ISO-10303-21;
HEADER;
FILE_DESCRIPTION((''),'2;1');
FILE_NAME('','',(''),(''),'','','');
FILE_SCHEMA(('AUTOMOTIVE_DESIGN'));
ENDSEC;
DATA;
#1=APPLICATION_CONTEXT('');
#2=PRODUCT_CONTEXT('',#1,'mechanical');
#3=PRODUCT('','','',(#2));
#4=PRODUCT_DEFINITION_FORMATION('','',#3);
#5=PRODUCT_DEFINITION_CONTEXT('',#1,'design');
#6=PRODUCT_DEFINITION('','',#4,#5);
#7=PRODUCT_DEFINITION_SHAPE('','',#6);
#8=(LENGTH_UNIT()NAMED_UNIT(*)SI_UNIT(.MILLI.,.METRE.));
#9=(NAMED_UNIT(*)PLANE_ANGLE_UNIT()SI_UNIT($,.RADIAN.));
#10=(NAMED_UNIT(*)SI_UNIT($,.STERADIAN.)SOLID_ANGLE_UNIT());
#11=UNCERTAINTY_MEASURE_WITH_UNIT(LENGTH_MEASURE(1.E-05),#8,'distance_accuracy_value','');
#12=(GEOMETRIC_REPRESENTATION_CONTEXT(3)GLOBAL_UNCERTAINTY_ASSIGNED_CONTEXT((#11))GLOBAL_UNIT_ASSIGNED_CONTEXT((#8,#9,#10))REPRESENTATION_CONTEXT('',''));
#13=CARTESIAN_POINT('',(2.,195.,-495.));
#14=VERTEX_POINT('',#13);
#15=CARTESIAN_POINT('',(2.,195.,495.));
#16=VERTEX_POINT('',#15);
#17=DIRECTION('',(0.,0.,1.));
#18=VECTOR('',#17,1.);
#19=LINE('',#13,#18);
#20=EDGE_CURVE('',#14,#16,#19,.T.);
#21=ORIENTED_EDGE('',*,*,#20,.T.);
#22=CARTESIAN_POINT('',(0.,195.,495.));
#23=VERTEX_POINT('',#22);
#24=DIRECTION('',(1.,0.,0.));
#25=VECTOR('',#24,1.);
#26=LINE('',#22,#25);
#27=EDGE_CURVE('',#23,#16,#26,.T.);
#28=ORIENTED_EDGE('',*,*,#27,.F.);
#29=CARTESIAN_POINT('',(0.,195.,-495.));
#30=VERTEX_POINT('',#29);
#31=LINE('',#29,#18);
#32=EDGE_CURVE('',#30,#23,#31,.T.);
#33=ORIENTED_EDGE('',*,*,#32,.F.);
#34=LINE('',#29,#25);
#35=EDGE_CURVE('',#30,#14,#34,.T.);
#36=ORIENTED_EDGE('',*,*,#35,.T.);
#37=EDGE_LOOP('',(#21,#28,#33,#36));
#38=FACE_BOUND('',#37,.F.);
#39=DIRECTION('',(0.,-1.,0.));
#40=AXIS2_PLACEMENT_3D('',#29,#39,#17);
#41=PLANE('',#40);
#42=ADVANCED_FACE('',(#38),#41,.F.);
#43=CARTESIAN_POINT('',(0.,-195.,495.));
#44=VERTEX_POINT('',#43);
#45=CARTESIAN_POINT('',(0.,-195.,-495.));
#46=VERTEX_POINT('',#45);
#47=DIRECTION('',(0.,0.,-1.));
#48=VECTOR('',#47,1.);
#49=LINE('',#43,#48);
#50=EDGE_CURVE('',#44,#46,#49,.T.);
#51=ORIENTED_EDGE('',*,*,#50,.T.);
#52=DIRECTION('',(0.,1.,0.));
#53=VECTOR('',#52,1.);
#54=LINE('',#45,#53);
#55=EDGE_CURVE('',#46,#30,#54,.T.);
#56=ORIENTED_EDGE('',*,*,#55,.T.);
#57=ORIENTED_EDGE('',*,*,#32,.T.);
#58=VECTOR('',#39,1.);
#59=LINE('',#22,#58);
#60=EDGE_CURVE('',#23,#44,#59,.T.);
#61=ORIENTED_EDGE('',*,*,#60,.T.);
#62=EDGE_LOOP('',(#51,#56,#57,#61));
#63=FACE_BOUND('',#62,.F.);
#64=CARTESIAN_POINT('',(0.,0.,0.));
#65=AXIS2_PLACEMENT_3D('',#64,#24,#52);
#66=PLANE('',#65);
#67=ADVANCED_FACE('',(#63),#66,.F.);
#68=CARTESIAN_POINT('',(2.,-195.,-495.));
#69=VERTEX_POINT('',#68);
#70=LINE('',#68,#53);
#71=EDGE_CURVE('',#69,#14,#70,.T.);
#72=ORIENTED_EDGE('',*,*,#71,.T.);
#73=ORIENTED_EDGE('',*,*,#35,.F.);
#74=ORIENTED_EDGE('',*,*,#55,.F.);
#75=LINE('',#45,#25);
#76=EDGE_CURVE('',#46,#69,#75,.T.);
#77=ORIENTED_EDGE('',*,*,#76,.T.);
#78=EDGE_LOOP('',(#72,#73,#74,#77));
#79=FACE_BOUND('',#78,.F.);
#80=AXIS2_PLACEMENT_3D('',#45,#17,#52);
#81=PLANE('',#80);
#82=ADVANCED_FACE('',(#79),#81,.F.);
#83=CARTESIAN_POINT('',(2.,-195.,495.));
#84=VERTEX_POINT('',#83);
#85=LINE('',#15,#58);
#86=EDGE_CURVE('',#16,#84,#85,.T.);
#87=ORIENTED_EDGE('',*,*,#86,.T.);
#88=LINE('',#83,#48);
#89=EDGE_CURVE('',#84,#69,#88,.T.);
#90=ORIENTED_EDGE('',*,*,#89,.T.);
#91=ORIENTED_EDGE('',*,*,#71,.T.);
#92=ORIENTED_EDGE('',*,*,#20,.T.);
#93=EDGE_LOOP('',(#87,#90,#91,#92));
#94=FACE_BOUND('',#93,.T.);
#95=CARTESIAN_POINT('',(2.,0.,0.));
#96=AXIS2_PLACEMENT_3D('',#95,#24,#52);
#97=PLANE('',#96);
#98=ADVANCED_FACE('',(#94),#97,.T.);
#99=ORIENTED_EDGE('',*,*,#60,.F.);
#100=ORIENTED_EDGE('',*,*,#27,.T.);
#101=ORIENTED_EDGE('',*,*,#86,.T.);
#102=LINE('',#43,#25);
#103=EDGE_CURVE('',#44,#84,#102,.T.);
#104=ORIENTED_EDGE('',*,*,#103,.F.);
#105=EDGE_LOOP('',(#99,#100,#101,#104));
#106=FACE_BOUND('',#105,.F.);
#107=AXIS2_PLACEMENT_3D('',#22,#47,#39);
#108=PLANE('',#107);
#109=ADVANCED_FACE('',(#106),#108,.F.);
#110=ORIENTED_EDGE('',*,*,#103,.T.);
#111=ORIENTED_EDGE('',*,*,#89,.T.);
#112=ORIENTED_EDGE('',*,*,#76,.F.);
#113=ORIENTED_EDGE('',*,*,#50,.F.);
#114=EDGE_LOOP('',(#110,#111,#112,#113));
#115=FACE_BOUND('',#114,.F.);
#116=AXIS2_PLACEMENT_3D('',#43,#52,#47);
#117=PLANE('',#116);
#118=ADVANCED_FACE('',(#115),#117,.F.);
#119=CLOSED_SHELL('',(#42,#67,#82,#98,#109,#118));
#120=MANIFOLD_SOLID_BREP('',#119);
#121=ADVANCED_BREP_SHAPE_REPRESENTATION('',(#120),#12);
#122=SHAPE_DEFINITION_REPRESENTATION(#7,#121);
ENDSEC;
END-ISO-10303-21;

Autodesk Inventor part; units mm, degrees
ref_plane "YZ Plane" through (0, 0, 0) normal (1, 0, 0) x (0, 1, 0)
ref_plane "XZ Plane" through (0, 0, 0) normal (0, 1, 0) x (-1, 0, 0)
ref_plane "XY Plane" through (0, 0, 0) normal (0, 0, 1) x (1, 0, 0)
sketch "Sketch1" plane through (0, 0, 0) normal (1, 0, 0) x (0, 1, 0)
  line L0 (195, 495) -> (-195, 495)
  line L1 (-195, 495) -> (-195, -495)
  line L2 (-195, -495) -> (195, -495)
  line L3 (195, -495) -> (195, 495)
  line L4 (195, 495) -> (-195, -495) construction
  line L5 (-195, 495) -> (195, -495) construction
  point P0 (0, 0)
  dimension "d0" = 390
  dimension "d1" = 990
extrude "Extrusion1" add sketch "Sketch1" along normal blind 2
properties part number "glass_slab" material "Glass"
